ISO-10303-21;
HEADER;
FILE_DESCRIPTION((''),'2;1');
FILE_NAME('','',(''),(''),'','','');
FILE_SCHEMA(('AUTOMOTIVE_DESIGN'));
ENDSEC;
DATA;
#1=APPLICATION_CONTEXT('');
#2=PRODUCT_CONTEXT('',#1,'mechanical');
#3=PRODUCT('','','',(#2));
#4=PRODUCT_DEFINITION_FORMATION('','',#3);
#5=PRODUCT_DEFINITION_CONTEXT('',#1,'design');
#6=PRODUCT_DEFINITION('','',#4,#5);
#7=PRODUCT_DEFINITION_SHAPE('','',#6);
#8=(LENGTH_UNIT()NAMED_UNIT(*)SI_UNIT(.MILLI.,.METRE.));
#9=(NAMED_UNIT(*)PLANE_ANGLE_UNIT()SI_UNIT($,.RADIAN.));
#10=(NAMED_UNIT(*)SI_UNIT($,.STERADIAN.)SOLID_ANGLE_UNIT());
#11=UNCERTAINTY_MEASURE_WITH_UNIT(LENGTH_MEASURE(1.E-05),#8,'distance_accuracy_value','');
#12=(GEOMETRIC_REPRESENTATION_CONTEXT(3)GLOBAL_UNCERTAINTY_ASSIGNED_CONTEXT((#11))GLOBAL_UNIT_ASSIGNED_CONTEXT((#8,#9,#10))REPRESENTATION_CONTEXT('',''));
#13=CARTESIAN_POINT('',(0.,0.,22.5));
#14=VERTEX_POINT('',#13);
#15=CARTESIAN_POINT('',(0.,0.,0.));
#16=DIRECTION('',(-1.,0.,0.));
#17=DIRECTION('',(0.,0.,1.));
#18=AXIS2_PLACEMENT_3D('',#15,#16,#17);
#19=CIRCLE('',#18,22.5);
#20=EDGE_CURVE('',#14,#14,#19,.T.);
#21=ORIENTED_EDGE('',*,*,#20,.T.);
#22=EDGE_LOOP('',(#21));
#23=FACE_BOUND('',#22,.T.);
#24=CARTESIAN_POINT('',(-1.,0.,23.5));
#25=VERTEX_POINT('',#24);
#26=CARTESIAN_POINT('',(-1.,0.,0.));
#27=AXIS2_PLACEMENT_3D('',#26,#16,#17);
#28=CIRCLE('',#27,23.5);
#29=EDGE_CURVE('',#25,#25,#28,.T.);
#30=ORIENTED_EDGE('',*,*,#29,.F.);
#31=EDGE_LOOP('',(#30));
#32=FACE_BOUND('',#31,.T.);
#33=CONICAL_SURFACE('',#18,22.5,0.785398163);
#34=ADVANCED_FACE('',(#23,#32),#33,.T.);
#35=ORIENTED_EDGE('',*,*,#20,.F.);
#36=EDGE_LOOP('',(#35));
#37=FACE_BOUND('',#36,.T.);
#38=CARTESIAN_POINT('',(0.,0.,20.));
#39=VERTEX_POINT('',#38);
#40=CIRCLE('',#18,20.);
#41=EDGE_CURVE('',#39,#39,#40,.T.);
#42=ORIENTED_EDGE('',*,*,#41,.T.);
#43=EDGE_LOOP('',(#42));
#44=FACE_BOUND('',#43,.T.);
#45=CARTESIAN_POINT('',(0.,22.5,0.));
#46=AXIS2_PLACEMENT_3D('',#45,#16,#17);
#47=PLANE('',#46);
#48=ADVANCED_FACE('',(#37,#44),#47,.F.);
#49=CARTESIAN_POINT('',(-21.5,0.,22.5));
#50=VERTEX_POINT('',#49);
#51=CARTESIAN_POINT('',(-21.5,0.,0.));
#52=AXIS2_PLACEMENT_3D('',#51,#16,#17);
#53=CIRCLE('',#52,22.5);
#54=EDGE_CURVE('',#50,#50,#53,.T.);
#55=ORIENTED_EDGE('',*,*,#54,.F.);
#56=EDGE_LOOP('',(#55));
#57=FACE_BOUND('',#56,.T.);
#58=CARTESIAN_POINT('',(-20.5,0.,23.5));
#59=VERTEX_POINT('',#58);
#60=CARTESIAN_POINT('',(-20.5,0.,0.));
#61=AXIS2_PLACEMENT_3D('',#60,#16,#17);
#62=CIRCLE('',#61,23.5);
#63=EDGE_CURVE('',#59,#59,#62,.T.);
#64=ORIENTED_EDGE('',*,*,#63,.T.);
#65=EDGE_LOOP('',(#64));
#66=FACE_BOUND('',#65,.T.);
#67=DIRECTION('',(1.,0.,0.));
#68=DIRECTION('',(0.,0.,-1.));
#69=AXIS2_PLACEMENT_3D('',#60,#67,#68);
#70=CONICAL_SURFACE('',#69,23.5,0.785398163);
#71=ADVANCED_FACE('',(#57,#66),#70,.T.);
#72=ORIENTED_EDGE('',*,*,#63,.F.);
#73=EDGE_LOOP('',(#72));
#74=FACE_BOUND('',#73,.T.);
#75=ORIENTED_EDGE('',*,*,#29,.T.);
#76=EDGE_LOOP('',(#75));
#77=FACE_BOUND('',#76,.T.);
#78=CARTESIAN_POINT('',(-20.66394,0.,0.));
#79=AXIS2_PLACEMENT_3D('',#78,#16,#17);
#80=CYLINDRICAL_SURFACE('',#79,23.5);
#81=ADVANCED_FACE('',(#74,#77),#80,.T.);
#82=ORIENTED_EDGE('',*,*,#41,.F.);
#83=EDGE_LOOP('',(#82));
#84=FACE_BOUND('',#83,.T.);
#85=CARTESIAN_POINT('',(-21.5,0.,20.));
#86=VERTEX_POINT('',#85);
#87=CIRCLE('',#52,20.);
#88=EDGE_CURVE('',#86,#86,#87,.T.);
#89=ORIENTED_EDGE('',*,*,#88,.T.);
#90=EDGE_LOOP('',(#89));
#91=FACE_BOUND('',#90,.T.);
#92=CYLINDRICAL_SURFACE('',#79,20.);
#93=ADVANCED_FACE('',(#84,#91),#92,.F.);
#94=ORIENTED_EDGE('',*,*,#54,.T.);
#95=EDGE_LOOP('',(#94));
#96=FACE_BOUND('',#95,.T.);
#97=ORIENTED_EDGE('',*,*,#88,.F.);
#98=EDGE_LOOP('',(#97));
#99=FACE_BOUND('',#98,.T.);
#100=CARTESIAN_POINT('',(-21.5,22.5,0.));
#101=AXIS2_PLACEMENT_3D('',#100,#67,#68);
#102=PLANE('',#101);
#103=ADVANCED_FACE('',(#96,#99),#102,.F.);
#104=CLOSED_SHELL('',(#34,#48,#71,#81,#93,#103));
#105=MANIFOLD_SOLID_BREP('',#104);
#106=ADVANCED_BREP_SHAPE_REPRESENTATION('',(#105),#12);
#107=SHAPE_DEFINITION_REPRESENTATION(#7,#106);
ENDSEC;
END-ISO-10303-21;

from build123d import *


with BuildPart() as part:
    # Esquisse1 → Révolution1 (revolve)
    with BuildSketch(Plane.XY, mode=Mode.PRIVATE) as r_volution1_sk:
        Polygon((-1, 23.5), (0, 22.5), (0, 20), (-21.5, 20), (-21.5, 22.5), (-20.5, 23.5), align=None)
    revolve(r_volution1_sk.sketch.rotate(Axis((-20.6639399, 0, 0), (1, 0, 0)), 90), axis=Axis((-20.6639399, 0, 0), (1, 0, 0)))


solid = part.part
